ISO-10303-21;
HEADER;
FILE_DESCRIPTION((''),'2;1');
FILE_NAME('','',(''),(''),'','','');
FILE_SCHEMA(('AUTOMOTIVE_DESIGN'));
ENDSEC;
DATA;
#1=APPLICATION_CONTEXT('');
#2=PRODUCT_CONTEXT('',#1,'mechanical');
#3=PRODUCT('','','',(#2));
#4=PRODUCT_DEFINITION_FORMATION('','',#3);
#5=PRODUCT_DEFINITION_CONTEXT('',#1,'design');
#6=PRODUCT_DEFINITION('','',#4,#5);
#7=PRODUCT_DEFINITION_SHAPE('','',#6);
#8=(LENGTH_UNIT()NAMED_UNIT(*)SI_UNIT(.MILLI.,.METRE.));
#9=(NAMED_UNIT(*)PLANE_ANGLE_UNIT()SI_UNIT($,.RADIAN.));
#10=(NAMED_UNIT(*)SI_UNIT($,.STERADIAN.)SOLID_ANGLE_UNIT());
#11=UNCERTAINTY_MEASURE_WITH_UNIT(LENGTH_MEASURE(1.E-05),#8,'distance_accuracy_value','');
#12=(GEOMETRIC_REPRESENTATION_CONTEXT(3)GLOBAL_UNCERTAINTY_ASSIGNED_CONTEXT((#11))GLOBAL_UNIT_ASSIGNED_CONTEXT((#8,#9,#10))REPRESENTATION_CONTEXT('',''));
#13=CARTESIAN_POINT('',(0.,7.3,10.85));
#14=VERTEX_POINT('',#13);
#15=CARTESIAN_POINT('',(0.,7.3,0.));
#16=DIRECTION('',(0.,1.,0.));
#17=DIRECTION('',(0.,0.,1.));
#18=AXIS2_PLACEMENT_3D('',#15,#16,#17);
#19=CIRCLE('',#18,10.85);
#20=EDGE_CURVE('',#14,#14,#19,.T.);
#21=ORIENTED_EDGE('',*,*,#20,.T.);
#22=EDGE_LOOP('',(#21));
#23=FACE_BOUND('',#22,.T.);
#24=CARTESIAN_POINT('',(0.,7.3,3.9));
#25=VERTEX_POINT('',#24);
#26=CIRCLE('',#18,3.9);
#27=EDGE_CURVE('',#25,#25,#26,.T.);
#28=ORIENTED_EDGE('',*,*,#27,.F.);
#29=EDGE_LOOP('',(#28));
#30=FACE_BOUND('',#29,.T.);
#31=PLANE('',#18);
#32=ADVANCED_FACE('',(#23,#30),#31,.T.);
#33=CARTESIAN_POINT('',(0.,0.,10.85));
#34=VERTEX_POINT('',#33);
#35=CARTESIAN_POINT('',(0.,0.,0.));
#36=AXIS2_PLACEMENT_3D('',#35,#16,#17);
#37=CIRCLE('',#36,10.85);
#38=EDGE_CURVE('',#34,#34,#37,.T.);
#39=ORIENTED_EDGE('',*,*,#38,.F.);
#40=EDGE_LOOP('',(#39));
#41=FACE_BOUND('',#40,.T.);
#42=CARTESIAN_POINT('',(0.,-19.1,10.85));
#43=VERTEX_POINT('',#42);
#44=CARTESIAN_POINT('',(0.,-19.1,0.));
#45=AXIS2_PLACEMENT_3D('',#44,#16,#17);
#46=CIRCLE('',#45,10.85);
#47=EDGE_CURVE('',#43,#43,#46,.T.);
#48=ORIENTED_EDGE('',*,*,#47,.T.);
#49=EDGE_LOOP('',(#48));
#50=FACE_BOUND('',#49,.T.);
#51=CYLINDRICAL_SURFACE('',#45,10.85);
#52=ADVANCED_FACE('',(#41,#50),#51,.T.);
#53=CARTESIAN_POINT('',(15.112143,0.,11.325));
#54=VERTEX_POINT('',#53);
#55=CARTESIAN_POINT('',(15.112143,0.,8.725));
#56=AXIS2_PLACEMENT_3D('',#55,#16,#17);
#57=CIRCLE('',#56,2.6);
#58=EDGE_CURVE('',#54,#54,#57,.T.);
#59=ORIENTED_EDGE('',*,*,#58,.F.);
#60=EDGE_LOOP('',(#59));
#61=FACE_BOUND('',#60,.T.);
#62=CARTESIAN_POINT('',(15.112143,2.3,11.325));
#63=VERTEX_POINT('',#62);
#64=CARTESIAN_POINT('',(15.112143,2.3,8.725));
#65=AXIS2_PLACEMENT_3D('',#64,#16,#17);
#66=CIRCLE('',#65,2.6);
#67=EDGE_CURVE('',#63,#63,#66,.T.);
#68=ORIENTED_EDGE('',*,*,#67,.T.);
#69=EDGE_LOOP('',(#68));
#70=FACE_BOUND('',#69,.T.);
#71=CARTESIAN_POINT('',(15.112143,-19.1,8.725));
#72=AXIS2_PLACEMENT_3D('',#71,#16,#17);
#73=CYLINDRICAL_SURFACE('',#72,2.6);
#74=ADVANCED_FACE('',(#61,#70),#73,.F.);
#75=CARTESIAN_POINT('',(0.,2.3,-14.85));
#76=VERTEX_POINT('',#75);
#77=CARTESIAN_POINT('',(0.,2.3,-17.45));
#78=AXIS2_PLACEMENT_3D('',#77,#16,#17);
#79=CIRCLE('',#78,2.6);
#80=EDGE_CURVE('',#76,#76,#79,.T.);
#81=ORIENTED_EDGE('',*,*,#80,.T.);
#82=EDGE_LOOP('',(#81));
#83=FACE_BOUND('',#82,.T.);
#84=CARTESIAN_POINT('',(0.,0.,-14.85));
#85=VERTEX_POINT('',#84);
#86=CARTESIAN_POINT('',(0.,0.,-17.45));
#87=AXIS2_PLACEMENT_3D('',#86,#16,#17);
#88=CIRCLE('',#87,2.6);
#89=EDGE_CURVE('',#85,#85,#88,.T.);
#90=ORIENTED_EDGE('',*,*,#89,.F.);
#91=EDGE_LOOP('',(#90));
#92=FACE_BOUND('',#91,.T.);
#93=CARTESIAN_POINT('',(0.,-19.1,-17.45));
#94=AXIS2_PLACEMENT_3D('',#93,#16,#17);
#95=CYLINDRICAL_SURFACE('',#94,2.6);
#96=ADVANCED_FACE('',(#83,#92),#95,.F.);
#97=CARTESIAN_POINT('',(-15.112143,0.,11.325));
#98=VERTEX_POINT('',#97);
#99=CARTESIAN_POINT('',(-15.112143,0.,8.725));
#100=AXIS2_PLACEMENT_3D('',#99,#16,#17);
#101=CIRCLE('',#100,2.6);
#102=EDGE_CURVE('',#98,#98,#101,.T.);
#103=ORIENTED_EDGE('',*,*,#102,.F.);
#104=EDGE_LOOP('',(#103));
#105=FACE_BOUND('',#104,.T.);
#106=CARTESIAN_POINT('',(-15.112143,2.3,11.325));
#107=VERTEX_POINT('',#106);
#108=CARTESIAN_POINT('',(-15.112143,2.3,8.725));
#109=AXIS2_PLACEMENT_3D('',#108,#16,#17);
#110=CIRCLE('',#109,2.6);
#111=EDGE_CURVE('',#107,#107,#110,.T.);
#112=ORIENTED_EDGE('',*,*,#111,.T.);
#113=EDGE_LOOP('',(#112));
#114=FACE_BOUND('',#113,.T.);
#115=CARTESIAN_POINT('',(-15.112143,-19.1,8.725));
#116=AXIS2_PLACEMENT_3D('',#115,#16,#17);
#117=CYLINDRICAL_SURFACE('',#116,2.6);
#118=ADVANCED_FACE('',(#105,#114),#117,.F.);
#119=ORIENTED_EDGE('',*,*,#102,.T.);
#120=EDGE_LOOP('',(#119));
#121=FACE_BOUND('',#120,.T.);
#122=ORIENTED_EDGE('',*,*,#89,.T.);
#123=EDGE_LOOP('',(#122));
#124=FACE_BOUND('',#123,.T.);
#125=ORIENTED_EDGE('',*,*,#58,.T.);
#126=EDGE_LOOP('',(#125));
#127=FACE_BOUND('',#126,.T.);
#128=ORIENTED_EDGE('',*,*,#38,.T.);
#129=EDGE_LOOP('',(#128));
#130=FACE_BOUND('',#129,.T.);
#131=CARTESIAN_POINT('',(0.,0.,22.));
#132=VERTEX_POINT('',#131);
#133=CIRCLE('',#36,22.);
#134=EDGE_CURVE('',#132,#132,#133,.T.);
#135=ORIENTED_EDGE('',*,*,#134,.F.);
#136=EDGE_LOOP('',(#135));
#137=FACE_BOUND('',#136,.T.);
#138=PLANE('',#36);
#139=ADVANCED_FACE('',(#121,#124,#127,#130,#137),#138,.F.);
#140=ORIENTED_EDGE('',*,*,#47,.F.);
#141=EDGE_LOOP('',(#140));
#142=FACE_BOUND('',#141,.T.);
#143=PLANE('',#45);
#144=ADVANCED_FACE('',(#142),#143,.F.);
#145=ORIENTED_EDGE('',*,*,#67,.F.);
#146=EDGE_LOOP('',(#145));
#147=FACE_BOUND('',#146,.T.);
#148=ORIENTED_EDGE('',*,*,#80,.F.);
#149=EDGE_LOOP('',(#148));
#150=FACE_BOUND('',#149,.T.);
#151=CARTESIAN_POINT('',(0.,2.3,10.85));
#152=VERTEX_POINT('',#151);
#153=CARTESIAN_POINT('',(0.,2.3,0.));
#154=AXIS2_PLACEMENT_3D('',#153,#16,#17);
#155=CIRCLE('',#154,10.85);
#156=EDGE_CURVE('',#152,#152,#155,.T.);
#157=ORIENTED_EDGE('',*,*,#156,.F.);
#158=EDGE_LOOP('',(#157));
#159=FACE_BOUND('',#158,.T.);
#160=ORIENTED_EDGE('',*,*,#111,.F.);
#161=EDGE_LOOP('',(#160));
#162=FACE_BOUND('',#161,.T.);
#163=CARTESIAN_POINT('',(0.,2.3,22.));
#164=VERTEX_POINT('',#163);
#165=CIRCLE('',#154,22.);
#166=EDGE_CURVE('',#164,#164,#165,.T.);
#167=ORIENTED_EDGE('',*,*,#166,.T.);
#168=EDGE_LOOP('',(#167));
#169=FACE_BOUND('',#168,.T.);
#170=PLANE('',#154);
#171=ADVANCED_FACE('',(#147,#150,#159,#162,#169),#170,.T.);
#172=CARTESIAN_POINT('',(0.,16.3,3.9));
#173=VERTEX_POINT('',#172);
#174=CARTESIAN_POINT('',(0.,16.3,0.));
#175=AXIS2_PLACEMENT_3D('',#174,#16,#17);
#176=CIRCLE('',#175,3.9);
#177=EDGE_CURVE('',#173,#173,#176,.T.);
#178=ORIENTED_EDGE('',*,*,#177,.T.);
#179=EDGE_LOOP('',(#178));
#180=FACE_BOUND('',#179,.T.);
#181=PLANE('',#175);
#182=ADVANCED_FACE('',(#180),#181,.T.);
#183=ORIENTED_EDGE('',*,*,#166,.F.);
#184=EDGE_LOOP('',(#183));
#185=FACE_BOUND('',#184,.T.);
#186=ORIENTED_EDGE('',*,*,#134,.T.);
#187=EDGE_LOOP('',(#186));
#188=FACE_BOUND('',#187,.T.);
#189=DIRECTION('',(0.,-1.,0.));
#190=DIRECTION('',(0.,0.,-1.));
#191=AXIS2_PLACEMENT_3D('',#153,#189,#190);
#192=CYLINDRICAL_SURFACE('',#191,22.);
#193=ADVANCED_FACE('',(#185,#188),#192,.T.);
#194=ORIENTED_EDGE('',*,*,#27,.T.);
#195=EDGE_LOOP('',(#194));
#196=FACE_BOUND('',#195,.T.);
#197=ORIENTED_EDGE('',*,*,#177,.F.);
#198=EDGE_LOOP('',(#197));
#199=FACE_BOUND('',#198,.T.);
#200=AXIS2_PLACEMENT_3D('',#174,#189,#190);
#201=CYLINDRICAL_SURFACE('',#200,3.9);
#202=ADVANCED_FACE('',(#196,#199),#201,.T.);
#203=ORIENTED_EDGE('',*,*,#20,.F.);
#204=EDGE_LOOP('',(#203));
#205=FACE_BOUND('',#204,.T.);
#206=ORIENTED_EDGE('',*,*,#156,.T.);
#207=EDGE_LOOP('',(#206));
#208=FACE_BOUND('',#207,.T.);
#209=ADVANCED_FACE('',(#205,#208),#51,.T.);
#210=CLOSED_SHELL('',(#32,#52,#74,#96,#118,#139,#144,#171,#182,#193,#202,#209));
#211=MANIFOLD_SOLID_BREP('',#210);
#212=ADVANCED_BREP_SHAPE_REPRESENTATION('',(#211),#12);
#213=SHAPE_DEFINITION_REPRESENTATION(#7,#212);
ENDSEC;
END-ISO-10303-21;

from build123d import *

# Parameters (mm, degrees)
SKETCH1_R                = 22
BOSS_EXTRUDE1_DEPTH      = 2.3
BOSS_EXTRUDE2_DEPTH      = 5
BOSS_EXTRUDE2_DEPTH_BACK = 21.4
SKETCH2_R                = 10.85
SKETCH3_R                = 3.9
BOSS_EXTRUDE3_DEPTH      = 9
SKETCH4_R                = 2.6
CUT_EXTRUDE1_DEPTH       = 38.761885546


with BuildPart() as part:
    # Sketch1 → Boss-Extrude1 (new body)
    with BuildSketch(Plane(origin=(0, 0, 0), x_dir=(1, 0, 0), z_dir=(0, 1, 0))):
        with Locations(Location((0, 0, 0), (0, 0, 270))):
            Circle(SKETCH1_R)
    extrude(amount=BOSS_EXTRUDE1_DEPTH)

    # Sketch2 → Boss-Extrude2 (add, two sides: drawn at the far end of the back side and taken through both)
    with BuildSketch(Plane(origin=(0, 2.3, 0), x_dir=(1, 0, 0), z_dir=(0, 1, 0)).offset(-BOSS_EXTRUDE2_DEPTH_BACK)):
        with Locations(Location((0, 0, 0), (0, 0, 270))):
            Circle(SKETCH2_R)
    extrude(amount=BOSS_EXTRUDE2_DEPTH + BOSS_EXTRUDE2_DEPTH_BACK)

    # Sketch3 → Boss-Extrude3 (add)
    with BuildSketch(Plane(origin=(0, 7.3, 0), x_dir=(1, 0, 0), z_dir=(0, 1, 0))):
        with Locations(Location((0, 0, 0), (0, 0, 270))):
            Circle(SKETCH3_R)
    extrude(amount=BOSS_EXTRUDE3_DEPTH)

    # Sketch4 → Cut-Extrude1 (cut, through all)
    with BuildSketch(Plane(origin=(0, 2.3, 0), x_dir=(1, 0, 0), z_dir=(0, 1, 0))):
        with Locations(Location((0, 17.45, 0), (0, 0, 270))):
            Circle(SKETCH4_R)
        with Locations(Location((-15.112143296, -8.725, 0), (0, 0, 270))):
            Circle(SKETCH4_R)
        with Locations(Location((15.112143296, -8.725, 0), (0, 0, 270))):
            Circle(SKETCH4_R)
    extrude(amount=-CUT_EXTRUDE1_DEPTH, mode=Mode.SUBTRACT)


solid = part.part
